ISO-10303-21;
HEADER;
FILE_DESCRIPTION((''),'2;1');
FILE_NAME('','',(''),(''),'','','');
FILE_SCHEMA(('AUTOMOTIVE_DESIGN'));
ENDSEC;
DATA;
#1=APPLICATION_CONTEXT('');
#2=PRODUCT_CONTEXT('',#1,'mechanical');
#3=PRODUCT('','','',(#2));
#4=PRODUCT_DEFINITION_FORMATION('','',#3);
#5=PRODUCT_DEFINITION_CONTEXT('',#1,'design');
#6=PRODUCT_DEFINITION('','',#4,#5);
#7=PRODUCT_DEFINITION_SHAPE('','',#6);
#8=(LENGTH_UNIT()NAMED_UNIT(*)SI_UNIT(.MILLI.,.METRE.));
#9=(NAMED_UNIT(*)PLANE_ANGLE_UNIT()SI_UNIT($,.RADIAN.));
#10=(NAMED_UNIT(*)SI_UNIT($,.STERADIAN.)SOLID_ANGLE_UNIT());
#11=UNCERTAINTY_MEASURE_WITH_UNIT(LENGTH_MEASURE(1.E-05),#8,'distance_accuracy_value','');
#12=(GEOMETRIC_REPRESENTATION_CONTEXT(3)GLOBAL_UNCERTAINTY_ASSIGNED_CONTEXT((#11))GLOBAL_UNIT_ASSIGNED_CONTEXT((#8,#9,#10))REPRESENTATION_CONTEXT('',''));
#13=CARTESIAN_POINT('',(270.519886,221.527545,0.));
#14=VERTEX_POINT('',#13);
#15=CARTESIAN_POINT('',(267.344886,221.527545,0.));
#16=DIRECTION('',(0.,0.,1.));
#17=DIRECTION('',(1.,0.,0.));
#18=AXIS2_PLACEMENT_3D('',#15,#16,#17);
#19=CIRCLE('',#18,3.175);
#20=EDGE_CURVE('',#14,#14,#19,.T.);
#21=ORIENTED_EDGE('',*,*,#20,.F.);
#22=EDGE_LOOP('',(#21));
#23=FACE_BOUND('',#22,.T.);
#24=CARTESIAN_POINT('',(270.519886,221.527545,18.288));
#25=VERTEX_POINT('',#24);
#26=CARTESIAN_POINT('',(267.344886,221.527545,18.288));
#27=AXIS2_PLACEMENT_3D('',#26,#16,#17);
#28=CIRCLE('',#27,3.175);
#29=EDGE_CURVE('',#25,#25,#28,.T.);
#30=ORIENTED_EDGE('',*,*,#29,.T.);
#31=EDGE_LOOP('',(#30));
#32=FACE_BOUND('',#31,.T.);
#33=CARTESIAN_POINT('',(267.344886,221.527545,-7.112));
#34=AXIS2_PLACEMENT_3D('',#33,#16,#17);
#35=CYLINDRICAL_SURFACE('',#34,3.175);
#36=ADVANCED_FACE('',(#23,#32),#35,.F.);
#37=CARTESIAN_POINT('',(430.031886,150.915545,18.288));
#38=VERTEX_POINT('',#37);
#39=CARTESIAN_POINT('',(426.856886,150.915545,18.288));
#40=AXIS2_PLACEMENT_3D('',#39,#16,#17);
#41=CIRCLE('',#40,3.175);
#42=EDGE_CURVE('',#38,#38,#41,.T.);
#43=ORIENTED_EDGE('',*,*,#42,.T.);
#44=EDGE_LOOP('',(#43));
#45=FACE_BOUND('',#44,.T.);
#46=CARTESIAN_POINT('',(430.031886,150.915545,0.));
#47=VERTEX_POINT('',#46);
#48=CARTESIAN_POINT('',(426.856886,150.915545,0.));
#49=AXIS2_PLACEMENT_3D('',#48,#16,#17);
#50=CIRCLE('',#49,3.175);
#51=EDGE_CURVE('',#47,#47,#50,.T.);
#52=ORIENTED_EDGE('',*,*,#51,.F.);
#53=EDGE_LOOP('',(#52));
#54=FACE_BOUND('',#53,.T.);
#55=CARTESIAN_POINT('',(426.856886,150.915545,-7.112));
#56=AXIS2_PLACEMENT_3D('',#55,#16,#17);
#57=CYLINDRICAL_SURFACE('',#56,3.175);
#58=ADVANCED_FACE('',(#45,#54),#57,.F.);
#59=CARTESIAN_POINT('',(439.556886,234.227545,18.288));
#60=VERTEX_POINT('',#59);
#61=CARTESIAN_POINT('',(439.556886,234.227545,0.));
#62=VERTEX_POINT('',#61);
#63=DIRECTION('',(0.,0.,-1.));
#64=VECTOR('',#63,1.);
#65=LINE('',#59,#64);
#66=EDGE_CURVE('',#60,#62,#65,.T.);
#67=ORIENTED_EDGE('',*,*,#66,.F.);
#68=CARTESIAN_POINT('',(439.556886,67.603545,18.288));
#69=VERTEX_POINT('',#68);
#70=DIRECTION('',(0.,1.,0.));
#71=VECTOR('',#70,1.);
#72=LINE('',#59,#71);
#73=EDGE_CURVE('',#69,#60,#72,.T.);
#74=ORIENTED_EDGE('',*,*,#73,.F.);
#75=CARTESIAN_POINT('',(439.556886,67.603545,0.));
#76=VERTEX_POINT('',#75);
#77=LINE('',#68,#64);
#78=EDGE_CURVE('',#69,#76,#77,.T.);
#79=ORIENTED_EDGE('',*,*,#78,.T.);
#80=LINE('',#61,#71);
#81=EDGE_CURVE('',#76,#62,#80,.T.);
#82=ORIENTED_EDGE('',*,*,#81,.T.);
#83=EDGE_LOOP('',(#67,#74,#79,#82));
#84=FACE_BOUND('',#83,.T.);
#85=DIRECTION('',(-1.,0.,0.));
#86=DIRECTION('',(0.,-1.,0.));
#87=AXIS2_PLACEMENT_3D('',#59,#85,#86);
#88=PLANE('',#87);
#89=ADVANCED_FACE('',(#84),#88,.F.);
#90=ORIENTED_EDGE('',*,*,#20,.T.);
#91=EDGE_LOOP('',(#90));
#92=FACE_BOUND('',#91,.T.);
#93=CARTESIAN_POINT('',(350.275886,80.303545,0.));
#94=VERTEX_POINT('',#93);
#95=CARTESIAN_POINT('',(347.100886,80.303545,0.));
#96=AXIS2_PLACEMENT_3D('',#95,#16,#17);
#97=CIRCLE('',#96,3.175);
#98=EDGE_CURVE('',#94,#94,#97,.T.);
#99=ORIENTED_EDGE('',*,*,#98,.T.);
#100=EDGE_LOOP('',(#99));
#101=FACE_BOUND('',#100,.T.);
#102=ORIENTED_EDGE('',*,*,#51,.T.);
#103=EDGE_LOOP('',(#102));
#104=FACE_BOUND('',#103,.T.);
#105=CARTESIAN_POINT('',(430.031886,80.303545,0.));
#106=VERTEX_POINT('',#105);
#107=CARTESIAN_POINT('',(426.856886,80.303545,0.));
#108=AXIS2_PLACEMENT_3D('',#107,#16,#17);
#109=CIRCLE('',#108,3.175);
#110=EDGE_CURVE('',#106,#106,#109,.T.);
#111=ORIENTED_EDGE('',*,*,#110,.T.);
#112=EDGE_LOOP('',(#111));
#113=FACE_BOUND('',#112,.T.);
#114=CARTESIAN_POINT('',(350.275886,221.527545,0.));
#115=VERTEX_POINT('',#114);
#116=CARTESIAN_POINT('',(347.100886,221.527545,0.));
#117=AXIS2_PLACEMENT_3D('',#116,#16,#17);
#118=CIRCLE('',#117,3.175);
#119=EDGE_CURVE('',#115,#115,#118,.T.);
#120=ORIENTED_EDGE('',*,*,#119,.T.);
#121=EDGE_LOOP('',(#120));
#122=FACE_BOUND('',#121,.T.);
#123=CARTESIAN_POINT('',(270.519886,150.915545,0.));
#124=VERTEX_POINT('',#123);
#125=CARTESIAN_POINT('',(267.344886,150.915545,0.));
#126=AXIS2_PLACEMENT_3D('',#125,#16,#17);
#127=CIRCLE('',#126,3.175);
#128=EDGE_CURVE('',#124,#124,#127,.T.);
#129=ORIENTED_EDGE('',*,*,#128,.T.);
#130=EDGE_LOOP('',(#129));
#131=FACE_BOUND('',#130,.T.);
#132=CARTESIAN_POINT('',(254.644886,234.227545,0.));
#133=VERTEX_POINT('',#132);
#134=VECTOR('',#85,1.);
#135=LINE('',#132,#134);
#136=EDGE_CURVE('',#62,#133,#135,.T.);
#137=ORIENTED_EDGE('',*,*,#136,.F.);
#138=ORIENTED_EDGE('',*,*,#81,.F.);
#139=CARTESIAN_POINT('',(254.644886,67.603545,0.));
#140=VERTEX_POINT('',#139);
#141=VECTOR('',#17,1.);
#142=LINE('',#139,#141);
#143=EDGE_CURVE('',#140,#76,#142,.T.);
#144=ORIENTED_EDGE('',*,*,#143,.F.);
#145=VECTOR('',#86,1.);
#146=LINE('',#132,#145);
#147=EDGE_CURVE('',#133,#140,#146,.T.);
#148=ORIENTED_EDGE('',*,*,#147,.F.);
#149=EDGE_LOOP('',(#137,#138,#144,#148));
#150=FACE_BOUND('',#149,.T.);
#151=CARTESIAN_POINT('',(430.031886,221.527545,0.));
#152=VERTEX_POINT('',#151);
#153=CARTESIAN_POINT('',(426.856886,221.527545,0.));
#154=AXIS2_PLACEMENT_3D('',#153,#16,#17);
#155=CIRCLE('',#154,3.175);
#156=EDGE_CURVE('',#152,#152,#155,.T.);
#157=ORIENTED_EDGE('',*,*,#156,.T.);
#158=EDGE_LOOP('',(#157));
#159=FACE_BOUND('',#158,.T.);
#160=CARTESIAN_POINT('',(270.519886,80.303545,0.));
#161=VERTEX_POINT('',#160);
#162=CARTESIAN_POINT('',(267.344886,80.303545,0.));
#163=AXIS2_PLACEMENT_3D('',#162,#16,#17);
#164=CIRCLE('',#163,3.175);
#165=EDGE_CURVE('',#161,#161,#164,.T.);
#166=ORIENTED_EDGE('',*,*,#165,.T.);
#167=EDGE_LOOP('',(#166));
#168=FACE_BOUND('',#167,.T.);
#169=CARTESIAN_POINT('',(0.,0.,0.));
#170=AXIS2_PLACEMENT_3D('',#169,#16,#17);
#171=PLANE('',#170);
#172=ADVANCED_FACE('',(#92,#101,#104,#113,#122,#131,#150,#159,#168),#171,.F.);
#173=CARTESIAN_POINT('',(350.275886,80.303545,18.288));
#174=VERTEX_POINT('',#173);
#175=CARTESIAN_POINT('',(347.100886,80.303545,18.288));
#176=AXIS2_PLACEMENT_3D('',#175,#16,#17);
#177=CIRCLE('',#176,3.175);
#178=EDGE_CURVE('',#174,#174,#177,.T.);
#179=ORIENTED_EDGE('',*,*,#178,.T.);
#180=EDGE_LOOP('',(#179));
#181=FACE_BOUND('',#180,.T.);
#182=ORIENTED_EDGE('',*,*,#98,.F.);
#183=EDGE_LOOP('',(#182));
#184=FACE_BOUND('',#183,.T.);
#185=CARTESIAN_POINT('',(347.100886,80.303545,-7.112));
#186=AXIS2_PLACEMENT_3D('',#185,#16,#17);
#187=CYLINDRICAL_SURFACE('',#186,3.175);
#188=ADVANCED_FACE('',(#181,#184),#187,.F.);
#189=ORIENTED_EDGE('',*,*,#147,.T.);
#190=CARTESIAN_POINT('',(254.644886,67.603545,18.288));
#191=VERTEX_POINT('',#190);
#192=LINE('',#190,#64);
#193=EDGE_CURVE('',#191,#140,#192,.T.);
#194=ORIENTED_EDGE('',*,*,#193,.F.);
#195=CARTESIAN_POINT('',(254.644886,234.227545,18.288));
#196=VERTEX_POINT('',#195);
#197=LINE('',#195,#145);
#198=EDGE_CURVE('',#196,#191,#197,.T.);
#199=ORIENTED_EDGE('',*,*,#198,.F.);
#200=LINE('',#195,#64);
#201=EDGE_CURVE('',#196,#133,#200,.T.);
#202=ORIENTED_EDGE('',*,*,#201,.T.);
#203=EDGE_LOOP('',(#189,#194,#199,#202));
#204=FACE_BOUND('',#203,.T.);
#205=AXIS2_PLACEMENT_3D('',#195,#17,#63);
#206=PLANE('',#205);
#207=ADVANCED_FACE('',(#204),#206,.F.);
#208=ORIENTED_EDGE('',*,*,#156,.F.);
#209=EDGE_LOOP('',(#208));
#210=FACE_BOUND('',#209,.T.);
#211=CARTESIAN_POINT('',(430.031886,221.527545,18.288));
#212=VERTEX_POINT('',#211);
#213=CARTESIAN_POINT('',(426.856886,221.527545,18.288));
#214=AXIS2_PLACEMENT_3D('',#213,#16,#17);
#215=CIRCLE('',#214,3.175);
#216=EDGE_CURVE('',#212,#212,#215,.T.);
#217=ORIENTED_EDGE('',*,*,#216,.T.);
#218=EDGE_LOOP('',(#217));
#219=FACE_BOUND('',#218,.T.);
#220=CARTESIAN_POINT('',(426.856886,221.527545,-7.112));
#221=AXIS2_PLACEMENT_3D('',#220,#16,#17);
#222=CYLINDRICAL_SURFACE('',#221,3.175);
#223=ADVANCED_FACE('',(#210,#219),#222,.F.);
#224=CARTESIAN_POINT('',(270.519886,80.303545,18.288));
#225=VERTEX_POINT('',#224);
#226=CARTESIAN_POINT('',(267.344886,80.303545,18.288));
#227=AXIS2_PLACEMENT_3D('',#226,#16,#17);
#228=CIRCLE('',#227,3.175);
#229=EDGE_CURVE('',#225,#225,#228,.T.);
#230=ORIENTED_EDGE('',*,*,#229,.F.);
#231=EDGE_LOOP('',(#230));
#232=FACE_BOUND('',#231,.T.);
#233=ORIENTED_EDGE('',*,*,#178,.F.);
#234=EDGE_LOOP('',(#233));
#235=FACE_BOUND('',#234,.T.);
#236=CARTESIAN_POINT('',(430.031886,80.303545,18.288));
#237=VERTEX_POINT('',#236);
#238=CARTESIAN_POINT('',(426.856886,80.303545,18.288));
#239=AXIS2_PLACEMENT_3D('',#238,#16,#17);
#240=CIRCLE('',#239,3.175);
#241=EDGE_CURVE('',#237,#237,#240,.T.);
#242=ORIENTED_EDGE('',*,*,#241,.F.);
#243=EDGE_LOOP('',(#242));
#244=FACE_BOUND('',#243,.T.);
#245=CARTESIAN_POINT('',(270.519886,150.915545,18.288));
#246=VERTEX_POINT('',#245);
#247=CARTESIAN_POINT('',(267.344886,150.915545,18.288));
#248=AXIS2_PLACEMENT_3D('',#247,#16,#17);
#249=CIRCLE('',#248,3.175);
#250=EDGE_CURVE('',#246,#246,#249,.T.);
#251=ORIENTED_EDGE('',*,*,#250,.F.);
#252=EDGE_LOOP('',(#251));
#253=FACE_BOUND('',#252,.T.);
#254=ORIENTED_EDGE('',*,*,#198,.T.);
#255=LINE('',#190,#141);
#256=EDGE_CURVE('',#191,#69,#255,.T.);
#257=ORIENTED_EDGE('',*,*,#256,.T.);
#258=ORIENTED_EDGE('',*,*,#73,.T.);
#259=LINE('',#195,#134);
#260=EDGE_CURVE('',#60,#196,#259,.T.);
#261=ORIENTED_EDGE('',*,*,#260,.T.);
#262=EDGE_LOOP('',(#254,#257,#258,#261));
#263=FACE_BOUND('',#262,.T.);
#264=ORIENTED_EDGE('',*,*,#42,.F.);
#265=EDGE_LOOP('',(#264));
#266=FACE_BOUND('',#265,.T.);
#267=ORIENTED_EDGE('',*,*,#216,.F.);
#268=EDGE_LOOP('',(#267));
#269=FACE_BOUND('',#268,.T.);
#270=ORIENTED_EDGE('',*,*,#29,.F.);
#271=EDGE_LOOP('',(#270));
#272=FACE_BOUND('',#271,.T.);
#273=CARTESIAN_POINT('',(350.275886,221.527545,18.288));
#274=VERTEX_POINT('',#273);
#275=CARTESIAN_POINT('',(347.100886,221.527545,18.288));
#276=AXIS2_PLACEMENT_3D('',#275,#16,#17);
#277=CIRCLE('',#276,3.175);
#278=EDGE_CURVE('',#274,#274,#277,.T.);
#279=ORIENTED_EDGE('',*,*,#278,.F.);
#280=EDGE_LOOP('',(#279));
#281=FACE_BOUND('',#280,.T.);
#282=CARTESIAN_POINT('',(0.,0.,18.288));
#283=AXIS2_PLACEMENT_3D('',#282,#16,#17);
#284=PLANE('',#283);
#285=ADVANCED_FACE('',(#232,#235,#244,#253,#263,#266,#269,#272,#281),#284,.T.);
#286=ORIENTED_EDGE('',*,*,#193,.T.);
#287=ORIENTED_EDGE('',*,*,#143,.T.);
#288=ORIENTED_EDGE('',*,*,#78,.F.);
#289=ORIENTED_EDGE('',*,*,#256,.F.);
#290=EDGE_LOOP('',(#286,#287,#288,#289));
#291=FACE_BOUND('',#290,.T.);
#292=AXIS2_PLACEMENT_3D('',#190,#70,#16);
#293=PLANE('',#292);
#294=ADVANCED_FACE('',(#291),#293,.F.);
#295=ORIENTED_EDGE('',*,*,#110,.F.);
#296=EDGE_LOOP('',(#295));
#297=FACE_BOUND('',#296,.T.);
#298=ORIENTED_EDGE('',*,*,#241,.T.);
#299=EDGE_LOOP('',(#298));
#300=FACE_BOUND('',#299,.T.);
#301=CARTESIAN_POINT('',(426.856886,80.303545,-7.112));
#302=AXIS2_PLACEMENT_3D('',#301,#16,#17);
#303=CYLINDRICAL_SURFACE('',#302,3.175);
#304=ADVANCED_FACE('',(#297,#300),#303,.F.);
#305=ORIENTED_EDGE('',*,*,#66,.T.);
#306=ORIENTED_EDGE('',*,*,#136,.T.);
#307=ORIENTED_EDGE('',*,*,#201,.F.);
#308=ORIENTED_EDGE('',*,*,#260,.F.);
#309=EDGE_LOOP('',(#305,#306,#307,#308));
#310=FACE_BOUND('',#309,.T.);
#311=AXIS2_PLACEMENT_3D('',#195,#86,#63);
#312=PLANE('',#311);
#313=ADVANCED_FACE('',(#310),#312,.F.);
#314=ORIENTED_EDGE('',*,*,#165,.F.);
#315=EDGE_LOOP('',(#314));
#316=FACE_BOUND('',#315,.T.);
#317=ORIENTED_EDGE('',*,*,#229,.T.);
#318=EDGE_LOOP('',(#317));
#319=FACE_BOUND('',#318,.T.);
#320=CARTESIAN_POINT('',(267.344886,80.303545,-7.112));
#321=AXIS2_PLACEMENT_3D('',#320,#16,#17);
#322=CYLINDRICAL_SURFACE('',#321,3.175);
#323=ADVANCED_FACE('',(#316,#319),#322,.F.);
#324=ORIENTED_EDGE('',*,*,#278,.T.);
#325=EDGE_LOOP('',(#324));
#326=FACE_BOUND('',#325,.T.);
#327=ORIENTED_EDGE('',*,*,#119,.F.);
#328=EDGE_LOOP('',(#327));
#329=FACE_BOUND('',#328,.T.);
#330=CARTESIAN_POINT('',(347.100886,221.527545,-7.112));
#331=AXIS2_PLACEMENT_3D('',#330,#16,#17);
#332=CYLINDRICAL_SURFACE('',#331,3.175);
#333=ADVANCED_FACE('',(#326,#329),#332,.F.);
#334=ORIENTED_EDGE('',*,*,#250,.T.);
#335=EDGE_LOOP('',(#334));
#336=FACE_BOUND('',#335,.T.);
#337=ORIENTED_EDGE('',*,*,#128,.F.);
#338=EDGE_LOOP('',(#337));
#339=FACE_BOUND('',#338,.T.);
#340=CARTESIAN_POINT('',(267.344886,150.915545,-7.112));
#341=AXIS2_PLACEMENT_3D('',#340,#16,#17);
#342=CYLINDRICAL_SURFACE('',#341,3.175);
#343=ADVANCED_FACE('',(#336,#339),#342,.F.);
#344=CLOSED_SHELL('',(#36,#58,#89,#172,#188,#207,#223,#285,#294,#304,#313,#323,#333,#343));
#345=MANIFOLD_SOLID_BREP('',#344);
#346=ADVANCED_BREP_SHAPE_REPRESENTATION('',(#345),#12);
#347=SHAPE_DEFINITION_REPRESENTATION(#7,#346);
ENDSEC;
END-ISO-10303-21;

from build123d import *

# Parameters (mm, degrees)
SKETCH1_W           = 184.912
SKETCH1_H           = 166.624
BOSS_EXTRUDE1_DEPTH = 18.288
SKETCH3_R           = 3.175
CUT_EXTRUDE2_DEPTH  = 25.4


with BuildPart() as part:
    # Sketch1 → Boss-Extrude1 (new body)
    with BuildSketch(Plane.XY):
        with Locations((347.100886228, 150.91554491)):
            Rectangle(SKETCH1_W, SKETCH1_H)
    extrude(amount=BOSS_EXTRUDE1_DEPTH)

    # Sketch3 → Cut-Extrude2 (cut)
    with BuildSketch(Plane.XY.offset(18.288)):
        with Locations((267.344886228, 221.52754491)):
            Circle(SKETCH3_R)
        with Locations((347.100886228, 221.52754491)):
            Circle(SKETCH3_R)
        with Locations((426.856886228, 221.52754491)):
            Circle(SKETCH3_R)
        with Locations((426.856886228, 150.91554491)):
            Circle(SKETCH3_R)
        with Locations((267.344886228, 150.91554491)):
            Circle(SKETCH3_R)
        with Locations((347.100886228, 80.30354491)):
            Circle(SKETCH3_R)
        with Locations((426.856886228, 80.30354491)):
            Circle(SKETCH3_R)
        with Locations((267.344886228, 80.30354491)):
            Circle(SKETCH3_R)
    extrude(amount=-CUT_EXTRUDE2_DEPTH, mode=Mode.SUBTRACT)


solid = part.part
